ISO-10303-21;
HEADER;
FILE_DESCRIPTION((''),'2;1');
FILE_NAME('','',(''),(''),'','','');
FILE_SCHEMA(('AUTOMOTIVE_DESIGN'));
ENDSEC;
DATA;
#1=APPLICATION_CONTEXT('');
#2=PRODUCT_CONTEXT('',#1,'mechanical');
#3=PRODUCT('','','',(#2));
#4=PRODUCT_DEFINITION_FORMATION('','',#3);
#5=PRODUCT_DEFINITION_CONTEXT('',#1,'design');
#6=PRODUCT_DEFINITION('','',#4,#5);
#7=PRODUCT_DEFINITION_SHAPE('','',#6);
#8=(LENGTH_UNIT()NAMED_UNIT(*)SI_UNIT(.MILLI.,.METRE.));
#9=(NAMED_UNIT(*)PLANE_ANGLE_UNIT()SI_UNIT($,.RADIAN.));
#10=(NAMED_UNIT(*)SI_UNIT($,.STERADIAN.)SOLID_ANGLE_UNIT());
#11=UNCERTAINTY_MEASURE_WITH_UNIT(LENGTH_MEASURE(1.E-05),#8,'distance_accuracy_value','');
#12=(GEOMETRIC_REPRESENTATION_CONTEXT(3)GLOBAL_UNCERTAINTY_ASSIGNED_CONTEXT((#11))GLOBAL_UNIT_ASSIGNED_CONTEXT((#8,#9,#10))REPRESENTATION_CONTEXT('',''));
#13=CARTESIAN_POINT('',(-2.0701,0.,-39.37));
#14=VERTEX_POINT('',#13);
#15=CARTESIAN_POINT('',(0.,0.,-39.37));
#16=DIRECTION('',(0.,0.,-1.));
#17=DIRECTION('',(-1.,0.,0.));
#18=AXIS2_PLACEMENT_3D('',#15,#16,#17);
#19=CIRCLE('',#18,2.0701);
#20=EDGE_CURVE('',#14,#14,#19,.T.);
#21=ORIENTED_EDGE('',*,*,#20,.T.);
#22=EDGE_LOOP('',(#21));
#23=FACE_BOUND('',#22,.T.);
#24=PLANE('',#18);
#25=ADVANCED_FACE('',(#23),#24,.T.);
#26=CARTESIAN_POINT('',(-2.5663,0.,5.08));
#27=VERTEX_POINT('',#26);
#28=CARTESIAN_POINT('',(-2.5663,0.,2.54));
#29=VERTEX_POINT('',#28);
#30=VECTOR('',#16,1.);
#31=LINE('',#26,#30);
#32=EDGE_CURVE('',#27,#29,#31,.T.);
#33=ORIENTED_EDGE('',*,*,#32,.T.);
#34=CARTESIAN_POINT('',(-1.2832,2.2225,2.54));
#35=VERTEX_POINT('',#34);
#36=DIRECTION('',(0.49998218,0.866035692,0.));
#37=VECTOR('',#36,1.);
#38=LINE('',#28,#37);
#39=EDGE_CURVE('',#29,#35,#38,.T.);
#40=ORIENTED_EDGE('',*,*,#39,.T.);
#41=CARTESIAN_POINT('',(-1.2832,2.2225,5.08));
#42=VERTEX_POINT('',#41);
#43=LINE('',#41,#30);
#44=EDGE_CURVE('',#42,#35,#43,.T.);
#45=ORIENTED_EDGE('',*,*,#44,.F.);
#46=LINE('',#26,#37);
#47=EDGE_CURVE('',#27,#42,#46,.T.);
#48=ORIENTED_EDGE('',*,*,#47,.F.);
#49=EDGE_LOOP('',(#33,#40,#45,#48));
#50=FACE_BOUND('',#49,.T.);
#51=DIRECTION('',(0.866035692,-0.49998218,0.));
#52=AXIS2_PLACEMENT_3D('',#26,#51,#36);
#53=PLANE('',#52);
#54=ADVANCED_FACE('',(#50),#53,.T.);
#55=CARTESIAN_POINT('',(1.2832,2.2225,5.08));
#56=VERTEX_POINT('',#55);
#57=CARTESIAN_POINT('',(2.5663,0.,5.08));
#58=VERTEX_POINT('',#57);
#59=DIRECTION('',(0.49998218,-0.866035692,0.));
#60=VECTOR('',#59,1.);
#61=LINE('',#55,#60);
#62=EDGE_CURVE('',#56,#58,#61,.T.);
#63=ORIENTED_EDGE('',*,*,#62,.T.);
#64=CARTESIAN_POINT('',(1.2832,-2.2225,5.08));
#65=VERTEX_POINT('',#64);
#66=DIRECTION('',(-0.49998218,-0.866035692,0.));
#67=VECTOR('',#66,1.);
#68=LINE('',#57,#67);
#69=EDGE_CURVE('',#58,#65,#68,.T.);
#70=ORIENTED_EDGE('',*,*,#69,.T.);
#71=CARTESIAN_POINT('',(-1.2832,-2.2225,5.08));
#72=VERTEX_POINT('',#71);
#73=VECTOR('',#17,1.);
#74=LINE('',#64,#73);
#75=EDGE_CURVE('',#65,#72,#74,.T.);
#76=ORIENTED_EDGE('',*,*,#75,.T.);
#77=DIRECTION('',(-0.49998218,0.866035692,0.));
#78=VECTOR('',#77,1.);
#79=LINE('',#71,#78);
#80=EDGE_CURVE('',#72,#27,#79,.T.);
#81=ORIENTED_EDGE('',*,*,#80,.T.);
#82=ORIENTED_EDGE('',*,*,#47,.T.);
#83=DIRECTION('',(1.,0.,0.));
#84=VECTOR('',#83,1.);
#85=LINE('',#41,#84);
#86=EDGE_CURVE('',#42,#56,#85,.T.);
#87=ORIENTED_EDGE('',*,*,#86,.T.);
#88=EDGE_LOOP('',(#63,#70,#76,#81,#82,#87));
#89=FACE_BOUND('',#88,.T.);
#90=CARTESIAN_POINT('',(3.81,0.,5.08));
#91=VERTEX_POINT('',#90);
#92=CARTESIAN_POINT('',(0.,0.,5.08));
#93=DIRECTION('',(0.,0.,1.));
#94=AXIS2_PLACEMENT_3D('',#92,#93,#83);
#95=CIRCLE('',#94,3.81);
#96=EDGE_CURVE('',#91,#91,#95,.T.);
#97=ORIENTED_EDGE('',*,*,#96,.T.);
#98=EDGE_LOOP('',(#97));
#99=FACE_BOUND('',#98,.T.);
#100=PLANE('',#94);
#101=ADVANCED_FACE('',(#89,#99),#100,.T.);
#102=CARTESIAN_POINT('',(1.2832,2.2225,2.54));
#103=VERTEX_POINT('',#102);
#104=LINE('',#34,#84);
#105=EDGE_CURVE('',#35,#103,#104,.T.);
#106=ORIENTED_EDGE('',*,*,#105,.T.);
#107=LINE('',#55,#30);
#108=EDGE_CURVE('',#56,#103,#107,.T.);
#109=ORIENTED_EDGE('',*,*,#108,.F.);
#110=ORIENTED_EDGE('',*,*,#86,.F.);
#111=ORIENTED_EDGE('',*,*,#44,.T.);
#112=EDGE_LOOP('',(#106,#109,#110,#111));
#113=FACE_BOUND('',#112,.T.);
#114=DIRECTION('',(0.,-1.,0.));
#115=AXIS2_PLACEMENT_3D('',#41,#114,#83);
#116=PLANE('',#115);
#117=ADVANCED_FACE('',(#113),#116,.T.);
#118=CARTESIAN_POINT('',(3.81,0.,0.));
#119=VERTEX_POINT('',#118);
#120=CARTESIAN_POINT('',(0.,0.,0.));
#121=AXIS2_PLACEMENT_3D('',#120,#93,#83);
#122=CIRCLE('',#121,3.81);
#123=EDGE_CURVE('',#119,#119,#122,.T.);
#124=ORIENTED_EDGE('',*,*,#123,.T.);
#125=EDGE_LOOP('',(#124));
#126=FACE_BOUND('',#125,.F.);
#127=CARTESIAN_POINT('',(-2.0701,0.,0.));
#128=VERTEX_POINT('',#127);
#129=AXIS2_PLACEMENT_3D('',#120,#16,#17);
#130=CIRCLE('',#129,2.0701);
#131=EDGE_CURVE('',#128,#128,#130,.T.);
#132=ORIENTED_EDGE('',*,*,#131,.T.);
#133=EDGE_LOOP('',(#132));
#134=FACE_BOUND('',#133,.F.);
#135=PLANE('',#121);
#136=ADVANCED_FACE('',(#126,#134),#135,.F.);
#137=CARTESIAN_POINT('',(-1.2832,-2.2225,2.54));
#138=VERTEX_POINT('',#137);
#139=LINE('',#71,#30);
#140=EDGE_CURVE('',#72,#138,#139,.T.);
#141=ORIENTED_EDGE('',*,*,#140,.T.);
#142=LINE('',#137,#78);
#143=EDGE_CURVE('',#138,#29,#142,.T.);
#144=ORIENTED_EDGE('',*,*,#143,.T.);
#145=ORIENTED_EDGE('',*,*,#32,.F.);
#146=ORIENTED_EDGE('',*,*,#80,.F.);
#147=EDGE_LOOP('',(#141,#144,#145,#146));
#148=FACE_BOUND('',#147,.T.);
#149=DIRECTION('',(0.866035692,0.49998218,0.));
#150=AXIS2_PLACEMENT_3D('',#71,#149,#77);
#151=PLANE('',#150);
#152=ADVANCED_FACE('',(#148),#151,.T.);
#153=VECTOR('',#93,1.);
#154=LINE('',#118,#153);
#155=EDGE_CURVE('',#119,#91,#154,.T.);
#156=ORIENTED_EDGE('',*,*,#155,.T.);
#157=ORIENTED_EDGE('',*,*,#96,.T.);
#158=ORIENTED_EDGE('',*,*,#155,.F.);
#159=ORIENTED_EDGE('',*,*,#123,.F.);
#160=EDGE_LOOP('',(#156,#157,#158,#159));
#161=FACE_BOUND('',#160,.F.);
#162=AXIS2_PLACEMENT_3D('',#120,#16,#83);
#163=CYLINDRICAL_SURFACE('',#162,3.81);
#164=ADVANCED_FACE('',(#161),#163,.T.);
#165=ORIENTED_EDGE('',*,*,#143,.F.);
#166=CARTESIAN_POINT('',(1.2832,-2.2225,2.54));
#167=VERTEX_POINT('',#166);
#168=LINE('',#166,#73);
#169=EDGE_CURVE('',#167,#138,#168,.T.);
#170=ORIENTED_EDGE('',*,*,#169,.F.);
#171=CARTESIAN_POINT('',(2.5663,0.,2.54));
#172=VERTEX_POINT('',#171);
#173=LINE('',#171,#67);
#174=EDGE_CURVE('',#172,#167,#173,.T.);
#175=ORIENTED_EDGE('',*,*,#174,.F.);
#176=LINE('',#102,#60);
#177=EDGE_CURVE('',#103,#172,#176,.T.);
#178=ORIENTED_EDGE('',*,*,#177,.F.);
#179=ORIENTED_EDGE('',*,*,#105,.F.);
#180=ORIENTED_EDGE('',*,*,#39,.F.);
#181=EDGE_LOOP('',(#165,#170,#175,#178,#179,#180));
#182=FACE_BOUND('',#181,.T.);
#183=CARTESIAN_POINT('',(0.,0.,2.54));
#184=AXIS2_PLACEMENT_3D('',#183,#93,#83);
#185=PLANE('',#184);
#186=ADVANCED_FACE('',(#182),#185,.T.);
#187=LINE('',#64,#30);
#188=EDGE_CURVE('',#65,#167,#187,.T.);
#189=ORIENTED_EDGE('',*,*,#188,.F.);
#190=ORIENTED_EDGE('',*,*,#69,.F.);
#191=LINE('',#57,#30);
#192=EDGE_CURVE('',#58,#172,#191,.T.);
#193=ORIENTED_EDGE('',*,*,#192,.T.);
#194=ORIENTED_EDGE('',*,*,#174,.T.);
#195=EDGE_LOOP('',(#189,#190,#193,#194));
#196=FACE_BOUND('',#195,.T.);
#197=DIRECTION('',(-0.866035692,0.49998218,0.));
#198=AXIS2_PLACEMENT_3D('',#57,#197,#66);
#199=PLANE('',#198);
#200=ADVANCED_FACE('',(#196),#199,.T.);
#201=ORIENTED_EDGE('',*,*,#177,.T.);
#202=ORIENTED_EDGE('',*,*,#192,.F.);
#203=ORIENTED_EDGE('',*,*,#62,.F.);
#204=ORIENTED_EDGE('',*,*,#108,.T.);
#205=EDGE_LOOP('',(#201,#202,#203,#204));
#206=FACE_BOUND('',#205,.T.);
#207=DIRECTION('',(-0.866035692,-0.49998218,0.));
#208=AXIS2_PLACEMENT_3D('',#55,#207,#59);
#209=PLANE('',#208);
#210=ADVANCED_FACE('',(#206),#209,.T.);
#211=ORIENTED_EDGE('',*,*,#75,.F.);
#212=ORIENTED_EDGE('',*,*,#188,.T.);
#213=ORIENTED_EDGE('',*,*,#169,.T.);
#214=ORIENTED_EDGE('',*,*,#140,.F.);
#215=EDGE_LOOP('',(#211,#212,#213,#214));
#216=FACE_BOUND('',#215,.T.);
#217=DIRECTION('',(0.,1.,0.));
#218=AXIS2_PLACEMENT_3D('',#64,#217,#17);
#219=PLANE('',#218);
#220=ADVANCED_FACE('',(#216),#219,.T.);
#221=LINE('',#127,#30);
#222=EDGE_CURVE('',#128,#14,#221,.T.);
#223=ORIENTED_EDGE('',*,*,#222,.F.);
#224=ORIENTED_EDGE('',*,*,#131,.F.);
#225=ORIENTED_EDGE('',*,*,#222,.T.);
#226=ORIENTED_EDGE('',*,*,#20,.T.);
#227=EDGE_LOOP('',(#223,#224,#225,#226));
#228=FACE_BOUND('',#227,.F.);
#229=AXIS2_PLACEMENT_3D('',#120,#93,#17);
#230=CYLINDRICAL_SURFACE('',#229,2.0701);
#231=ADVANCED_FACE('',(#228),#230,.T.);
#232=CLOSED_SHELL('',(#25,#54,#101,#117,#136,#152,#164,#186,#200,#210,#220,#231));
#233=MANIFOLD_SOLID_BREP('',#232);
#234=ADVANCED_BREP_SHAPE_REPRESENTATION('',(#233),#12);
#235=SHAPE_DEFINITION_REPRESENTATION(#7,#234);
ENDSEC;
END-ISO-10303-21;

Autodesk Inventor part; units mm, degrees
ref_plane "YZ Plane" through (0, 0, 0) normal (1, 0, 0) x (0, 1, 0)
ref_plane "XZ Plane" through (0, 0, 0) normal (0, 1, 0) x (-1, 0, 0)
ref_plane "XY Plane" through (0, 0, 0) normal (0, 0, 1) x (1, 0, 0)
sketch "Sketch1" plane through (0, 0, 0) normal (0, 0, 1) x (1, 0, 0)
  circle A0 centre (0, 0) radius 3.81
  dimension "d0" = 7.62
extrude "Extrusion1" add sketch "Sketch1" along normal blind 5.08
sketch "Sketch2" plane through (0, 0, 5.08) normal (0, 0, 1) x (1, 0, 0)
  line L0 (1.2832, 2.2225) -> (2.5663, 0)
  line L1 (2.5663, 0) -> (1.2832, -2.2225)
  line L2 (1.2832, -2.2225) -> (-1.2832, -2.2225)
  line L3 (-1.2832, -2.2225) -> (-2.5663, 0)
  line L4 (-2.5663, 0) -> (-1.2832, 2.2225)
  line L5 (-1.2832, 2.2225) -> (1.2832, 2.2225)
  line L6 (0, 0) -> (0.4307, 0)
  dimension "d3" = 4.445
extrude "Extrusion2" cut sketch "Sketch2" against normal blind 2.54
sketch "Sketch3" plane through (0, 0, 0) normal (0, 0, -1) x (-1, 0, 0)
  circle A0 centre (0, 0) radius 2.0701
  dimension "d6" = 4.1402
extrude "Extrusion3" add sketch "Sketch3" along normal blind 39.37
properties part number "RobotArm Rivet2"
